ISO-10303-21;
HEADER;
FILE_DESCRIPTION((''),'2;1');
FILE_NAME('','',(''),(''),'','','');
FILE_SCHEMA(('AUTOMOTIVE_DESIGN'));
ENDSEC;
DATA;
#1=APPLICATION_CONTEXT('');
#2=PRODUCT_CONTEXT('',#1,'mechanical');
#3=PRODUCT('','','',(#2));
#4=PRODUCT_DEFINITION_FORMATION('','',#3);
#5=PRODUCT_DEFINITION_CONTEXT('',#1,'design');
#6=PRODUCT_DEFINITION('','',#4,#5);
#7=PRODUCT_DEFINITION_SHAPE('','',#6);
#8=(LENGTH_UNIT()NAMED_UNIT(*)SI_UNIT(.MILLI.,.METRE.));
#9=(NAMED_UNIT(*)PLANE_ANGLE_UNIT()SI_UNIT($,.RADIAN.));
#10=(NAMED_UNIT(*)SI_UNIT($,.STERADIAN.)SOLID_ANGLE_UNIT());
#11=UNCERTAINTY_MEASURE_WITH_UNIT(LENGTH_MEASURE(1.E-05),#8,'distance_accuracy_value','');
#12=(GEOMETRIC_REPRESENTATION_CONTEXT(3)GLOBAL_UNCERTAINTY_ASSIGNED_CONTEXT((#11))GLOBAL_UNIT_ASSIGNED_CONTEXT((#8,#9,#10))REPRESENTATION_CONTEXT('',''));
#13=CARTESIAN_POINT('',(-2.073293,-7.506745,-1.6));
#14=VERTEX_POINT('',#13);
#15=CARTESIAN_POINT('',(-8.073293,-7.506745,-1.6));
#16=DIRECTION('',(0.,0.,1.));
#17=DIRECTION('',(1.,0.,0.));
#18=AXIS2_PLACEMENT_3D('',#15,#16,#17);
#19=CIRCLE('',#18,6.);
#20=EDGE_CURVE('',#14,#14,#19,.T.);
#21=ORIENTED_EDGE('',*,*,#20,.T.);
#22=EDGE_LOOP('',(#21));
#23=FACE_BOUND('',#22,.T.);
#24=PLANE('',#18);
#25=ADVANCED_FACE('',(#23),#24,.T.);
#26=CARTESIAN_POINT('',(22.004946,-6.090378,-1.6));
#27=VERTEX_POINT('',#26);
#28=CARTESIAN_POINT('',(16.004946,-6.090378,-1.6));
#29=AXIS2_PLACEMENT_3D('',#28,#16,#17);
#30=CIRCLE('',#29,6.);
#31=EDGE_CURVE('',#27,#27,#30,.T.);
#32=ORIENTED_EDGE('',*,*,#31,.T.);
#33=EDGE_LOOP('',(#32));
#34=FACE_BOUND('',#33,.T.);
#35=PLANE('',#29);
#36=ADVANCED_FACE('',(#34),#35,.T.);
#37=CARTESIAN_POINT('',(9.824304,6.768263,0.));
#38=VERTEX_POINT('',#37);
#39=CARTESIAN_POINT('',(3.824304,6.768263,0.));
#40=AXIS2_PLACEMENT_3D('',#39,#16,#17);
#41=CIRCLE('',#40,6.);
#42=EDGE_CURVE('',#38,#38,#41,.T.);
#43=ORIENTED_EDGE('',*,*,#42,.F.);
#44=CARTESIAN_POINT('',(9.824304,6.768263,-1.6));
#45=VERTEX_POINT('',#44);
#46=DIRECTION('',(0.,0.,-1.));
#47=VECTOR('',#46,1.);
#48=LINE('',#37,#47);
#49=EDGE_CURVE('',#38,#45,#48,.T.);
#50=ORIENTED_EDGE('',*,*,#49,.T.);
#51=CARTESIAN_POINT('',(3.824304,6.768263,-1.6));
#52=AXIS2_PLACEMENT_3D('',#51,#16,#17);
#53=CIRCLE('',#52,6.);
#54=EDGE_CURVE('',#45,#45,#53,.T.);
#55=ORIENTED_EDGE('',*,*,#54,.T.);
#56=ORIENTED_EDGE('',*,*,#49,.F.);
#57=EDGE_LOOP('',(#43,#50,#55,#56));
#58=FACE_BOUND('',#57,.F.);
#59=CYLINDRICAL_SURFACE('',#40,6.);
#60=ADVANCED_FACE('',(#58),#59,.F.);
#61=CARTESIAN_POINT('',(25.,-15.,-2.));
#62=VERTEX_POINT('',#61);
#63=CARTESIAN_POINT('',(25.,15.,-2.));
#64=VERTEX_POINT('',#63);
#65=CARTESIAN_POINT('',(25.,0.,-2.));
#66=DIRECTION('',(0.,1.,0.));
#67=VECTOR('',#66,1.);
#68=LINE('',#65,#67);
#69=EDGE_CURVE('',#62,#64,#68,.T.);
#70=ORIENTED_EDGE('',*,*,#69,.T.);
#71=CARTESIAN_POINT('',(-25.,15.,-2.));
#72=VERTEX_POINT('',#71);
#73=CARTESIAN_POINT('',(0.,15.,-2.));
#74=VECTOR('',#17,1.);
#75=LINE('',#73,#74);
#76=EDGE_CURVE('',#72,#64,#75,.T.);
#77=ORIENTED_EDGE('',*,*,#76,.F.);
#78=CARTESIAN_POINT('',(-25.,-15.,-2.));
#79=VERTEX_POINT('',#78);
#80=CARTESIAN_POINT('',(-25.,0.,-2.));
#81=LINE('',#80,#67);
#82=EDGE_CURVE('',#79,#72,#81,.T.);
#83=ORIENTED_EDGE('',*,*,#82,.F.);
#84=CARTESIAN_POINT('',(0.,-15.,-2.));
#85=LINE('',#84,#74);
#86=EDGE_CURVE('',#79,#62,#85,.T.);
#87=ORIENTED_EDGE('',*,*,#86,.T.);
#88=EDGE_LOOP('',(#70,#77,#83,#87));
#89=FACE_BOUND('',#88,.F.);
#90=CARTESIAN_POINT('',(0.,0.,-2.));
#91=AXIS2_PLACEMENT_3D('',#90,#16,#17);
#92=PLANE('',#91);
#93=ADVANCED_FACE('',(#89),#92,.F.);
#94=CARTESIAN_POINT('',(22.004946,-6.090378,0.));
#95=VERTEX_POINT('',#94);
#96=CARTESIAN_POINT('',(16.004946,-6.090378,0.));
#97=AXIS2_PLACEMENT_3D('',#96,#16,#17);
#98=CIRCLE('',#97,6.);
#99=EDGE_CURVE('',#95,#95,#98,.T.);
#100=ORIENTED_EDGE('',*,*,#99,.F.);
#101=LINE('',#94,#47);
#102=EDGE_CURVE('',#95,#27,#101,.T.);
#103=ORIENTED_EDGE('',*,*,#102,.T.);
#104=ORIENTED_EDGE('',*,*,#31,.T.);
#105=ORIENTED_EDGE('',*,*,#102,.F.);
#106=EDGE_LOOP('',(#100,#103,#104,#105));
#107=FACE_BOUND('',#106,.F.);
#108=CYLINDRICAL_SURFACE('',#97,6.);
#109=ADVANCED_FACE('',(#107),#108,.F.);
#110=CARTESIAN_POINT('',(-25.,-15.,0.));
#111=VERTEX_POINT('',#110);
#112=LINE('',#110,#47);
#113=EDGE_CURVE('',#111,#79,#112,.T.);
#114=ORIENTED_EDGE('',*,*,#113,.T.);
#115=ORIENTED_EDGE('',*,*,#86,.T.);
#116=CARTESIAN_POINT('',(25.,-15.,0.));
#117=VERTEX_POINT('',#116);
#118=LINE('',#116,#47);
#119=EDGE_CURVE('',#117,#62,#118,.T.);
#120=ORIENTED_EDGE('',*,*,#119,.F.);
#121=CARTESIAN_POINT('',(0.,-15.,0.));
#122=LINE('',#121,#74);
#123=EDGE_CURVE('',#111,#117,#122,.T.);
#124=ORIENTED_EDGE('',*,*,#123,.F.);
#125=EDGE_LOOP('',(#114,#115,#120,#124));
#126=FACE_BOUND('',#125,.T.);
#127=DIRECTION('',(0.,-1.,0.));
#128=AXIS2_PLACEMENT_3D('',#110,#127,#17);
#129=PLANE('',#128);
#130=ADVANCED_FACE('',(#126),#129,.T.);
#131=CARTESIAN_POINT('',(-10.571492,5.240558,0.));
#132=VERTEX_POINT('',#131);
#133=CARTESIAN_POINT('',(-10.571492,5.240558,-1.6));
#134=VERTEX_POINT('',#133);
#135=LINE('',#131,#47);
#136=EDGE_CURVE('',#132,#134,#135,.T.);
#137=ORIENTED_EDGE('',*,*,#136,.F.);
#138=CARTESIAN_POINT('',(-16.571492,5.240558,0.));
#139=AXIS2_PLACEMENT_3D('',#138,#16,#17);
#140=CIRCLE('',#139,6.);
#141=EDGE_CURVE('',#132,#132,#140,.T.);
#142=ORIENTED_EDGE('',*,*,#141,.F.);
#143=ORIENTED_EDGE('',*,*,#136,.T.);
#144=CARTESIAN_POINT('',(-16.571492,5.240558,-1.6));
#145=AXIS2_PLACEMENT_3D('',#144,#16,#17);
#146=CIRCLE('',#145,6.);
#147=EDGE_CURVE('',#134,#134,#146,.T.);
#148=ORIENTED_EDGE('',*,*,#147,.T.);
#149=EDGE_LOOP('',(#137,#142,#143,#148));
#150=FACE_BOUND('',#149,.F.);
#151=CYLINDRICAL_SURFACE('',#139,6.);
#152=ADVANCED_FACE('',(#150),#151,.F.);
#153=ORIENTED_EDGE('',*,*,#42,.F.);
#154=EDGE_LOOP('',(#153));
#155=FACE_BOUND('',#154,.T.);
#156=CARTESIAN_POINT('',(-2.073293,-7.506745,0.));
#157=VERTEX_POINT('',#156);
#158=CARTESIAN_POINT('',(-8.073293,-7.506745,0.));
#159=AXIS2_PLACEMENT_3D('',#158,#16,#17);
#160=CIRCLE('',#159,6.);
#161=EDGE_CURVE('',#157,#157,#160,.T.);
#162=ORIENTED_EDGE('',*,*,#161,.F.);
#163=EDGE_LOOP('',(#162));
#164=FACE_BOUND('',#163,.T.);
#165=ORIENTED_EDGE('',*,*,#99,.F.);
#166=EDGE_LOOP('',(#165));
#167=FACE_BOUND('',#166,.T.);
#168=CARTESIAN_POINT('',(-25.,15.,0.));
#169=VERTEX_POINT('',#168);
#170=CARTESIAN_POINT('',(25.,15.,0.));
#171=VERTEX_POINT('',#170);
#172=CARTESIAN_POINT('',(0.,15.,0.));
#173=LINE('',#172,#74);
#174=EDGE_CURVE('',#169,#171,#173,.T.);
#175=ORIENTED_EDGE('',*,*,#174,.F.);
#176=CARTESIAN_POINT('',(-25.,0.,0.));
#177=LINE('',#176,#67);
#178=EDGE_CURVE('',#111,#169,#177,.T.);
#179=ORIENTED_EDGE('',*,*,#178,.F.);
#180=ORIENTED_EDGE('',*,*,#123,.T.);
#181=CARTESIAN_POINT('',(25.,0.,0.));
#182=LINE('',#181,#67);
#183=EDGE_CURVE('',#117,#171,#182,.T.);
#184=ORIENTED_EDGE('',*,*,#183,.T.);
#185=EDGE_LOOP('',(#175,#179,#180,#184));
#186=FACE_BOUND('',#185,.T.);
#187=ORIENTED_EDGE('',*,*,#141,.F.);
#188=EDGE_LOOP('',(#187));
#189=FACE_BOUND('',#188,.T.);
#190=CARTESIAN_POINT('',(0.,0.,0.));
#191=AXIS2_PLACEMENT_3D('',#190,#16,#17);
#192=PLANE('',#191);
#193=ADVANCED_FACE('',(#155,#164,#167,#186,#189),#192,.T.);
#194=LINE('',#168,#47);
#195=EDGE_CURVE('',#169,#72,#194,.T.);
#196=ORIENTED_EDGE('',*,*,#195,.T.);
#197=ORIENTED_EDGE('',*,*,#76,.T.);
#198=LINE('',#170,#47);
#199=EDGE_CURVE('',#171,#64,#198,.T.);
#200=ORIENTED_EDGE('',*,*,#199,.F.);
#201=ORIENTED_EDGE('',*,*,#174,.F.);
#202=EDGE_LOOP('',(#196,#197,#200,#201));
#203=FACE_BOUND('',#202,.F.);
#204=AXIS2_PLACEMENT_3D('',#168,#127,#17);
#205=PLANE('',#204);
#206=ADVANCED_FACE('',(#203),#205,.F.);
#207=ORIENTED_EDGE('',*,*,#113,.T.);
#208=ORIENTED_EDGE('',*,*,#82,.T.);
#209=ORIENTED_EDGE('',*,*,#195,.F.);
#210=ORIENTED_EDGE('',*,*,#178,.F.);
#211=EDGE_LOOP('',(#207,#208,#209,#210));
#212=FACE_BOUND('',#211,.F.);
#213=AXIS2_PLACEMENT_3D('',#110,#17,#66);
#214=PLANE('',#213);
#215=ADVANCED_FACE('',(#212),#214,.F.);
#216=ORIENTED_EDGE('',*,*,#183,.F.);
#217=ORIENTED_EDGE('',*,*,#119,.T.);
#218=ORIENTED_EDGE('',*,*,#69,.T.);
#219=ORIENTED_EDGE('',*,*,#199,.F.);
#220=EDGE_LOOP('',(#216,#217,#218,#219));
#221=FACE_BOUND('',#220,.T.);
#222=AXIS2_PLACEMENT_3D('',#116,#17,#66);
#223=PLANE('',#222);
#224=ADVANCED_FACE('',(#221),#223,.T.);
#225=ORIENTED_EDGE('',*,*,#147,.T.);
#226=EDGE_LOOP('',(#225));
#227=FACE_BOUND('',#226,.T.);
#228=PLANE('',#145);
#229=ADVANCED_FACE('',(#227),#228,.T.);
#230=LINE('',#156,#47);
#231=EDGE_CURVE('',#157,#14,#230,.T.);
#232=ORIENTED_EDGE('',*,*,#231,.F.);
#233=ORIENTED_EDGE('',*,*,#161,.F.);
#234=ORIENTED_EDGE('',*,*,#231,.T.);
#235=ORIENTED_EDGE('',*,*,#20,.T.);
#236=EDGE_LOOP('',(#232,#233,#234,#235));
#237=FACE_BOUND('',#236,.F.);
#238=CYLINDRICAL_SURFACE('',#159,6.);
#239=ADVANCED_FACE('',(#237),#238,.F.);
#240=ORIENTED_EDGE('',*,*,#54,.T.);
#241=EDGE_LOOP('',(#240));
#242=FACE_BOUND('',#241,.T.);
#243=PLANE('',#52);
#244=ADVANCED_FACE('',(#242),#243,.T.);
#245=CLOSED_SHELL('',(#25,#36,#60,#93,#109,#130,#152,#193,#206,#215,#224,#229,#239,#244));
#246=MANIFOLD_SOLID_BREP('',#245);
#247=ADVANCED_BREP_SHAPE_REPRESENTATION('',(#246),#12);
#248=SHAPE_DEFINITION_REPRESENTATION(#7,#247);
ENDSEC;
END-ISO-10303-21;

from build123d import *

# Parameters (mm, degrees)
F0_W     = 50
F0_H     = 30
F1_DEPTH = 2
F2_R     = 6
F3_DEPTH = 1.6


with BuildPart() as f1:
    # F0 (on Top) → F1 (new body)
    with BuildSketch(Plane.XY):
        Rectangle(F0_W, F0_H)
    extrude(amount=-F1_DEPTH)

    # F2 (on Top) → F3 (cut)
    with BuildSketch(Plane.XY):
        with Locations((-16.571492, 5.240558)):
            Circle(F2_R)
        with Locations((-8.073293, -7.506745)):
            Circle(F2_R)
        with Locations((3.824304, 6.768263)):
            Circle(F2_R)
        with Locations((16.004946, -6.090378)):
            Circle(F2_R)
    extrude(amount=-F3_DEPTH, mode=Mode.SUBTRACT)


solid = f1.part
